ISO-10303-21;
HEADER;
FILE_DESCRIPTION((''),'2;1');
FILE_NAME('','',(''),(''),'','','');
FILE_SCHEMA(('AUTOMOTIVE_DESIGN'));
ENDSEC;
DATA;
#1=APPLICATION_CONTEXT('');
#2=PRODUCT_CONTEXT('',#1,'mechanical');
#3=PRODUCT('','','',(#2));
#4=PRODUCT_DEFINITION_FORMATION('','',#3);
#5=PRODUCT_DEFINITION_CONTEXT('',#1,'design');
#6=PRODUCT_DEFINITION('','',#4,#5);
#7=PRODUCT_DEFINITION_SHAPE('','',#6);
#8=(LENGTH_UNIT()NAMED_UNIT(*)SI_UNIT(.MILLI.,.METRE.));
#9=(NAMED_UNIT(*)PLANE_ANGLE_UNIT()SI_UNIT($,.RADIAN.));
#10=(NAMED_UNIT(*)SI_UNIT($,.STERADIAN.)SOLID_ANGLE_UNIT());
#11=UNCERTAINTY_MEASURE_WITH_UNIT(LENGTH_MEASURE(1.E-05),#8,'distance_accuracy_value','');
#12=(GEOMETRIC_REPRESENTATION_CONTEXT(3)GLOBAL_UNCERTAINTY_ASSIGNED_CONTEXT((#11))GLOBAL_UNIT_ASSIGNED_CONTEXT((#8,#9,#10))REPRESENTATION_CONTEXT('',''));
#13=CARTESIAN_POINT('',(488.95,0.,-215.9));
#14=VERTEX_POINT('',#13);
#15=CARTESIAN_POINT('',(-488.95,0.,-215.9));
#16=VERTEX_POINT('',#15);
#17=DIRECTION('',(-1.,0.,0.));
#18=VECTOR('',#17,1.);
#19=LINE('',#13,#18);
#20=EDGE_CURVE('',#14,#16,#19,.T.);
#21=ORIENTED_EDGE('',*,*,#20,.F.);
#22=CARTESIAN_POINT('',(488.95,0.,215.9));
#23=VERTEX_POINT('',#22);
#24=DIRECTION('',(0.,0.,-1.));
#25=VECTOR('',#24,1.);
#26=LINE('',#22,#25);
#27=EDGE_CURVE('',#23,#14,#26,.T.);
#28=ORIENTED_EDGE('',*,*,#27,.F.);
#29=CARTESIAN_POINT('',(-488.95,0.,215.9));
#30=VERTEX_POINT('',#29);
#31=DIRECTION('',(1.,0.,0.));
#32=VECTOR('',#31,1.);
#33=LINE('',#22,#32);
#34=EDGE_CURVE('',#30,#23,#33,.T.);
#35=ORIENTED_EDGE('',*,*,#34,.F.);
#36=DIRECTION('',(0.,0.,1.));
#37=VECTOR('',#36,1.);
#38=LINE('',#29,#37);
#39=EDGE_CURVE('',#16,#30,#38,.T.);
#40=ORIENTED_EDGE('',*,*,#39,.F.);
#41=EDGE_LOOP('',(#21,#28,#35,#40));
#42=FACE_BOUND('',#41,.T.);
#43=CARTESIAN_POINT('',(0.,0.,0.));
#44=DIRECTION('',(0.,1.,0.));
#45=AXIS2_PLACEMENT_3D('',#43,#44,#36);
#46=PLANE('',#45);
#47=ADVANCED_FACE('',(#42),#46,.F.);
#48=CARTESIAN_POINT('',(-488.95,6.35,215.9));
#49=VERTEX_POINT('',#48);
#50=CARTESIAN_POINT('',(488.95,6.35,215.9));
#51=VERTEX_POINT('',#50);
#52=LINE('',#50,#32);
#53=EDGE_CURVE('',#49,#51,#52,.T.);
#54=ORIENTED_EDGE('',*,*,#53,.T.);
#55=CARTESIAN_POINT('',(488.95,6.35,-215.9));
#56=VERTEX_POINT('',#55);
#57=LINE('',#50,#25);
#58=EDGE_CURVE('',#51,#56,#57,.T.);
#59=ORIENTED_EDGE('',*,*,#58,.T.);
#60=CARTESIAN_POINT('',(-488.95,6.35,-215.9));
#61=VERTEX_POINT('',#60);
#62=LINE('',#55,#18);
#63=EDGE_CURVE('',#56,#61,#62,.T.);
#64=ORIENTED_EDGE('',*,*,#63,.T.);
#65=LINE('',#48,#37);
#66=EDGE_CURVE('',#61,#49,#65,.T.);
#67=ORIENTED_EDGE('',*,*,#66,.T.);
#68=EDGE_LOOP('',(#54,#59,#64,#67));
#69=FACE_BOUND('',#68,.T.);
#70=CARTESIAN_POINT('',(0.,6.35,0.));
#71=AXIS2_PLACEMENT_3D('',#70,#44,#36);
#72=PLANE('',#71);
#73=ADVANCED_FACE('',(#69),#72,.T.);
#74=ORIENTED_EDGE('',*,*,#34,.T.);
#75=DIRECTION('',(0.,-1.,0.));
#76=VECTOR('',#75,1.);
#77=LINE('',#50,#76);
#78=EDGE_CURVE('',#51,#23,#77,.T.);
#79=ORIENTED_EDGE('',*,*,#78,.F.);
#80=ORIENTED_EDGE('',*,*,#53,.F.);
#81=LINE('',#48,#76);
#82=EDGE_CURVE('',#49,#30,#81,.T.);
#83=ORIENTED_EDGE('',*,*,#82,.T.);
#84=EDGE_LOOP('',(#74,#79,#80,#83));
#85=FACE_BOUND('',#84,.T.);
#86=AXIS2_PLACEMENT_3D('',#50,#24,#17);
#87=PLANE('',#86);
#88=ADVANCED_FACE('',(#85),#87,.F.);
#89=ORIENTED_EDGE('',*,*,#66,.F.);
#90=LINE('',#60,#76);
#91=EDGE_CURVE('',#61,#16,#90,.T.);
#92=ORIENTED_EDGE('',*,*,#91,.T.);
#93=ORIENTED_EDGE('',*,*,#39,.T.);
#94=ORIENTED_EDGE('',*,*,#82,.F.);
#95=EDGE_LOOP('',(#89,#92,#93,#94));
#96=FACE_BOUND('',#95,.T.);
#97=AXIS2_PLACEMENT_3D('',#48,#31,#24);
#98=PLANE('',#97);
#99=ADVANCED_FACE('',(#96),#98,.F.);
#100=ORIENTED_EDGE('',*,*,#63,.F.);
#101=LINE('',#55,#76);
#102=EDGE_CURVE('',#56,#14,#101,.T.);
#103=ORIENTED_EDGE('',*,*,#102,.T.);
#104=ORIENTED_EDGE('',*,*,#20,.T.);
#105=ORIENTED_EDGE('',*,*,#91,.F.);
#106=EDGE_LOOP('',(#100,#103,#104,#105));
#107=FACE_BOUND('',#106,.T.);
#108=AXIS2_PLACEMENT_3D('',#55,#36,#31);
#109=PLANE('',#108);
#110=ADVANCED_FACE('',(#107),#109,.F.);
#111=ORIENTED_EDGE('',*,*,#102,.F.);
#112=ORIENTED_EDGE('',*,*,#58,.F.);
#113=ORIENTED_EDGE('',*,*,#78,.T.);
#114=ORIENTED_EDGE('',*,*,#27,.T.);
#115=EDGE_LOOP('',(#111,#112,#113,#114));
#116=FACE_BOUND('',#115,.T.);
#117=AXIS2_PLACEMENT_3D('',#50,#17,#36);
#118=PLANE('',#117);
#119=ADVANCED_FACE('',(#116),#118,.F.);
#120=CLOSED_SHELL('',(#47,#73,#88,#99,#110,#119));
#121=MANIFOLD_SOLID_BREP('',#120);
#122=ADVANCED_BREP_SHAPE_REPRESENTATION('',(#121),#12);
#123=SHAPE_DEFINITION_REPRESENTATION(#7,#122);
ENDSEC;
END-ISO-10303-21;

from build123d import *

# Parameters (mm, degrees)
SKETCH1_W   = 977.9
SKETCH1_H   = 431.8
GLASS_DEPTH = 6.35


with BuildPart() as part:
    # Sketch1 → Glass (new body)
    with BuildSketch(Plane(origin=(0, 0, 0), x_dir=(1, 0, 0), z_dir=(0, 1, 0))):
        Rectangle(SKETCH1_W, SKETCH1_H)
    extrude(amount=GLASS_DEPTH)


solid = part.part
